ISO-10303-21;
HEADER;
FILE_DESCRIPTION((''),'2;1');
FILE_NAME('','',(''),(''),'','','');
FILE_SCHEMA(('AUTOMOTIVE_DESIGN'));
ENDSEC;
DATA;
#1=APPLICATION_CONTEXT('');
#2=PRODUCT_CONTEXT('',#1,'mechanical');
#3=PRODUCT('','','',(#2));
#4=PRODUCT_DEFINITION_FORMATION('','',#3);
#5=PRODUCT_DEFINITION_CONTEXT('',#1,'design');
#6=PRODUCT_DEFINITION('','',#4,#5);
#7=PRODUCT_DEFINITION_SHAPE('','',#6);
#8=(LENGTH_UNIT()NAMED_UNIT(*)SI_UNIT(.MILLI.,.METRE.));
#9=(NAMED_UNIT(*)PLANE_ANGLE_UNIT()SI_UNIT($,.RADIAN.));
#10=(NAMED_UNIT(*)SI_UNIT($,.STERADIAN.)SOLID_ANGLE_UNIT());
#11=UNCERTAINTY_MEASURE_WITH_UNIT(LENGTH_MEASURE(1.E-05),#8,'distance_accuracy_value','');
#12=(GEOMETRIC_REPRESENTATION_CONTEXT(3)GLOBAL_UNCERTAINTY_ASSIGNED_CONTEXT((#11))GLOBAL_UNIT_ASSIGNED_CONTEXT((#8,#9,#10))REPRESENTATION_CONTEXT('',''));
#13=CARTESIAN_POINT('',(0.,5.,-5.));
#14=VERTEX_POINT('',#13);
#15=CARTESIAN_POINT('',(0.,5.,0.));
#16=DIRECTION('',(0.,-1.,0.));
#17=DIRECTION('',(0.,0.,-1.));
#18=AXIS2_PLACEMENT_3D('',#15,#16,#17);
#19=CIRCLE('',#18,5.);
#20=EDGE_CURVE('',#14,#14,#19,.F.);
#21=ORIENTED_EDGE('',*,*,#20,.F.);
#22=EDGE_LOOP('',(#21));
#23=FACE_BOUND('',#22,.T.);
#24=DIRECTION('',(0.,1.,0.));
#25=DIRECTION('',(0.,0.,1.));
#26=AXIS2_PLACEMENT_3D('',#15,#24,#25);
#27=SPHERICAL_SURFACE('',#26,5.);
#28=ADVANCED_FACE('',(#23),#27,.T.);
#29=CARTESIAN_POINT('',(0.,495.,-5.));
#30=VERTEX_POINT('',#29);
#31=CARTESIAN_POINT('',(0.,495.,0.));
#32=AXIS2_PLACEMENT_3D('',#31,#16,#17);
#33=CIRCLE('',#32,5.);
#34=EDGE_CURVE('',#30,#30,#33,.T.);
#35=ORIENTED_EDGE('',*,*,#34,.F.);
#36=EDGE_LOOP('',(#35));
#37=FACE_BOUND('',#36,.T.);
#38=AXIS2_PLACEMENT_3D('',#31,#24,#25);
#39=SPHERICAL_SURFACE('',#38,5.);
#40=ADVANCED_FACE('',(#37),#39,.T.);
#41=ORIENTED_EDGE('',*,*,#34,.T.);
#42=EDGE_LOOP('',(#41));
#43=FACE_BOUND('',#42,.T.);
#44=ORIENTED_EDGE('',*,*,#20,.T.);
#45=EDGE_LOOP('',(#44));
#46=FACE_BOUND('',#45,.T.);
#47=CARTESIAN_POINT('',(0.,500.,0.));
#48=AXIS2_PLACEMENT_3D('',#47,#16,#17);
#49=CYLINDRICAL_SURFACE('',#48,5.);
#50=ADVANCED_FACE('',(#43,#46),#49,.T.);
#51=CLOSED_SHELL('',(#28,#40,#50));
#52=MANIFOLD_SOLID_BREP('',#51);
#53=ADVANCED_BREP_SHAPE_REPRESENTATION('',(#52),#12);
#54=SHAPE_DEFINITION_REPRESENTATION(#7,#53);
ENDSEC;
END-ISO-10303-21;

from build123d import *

# Parameters (mm, degrees)
SKETCH1_R           = 5
BOSS_EXTRUDE1_DEPTH = 500
FILLET1_R           = 5


with BuildPart() as part:
    # Sketch1 → Boss-Extrude1 (new body)
    with BuildSketch(Plane(origin=(0, 0, 0), x_dir=(1, 0, 0), z_dir=(0, 1, 0))):
        Circle(SKETCH1_R)
    extrude(amount=BOSS_EXTRUDE1_DEPTH)

    # Fillet1
    fillet1_edges = [part.edges().sort_by_distance(p)[0] for p in [
        (-5, 500, 0),
        (-5, 0, 0),
    ]]
    fillet(fillet1_edges, radius=FILLET1_R)


solid = part.part
